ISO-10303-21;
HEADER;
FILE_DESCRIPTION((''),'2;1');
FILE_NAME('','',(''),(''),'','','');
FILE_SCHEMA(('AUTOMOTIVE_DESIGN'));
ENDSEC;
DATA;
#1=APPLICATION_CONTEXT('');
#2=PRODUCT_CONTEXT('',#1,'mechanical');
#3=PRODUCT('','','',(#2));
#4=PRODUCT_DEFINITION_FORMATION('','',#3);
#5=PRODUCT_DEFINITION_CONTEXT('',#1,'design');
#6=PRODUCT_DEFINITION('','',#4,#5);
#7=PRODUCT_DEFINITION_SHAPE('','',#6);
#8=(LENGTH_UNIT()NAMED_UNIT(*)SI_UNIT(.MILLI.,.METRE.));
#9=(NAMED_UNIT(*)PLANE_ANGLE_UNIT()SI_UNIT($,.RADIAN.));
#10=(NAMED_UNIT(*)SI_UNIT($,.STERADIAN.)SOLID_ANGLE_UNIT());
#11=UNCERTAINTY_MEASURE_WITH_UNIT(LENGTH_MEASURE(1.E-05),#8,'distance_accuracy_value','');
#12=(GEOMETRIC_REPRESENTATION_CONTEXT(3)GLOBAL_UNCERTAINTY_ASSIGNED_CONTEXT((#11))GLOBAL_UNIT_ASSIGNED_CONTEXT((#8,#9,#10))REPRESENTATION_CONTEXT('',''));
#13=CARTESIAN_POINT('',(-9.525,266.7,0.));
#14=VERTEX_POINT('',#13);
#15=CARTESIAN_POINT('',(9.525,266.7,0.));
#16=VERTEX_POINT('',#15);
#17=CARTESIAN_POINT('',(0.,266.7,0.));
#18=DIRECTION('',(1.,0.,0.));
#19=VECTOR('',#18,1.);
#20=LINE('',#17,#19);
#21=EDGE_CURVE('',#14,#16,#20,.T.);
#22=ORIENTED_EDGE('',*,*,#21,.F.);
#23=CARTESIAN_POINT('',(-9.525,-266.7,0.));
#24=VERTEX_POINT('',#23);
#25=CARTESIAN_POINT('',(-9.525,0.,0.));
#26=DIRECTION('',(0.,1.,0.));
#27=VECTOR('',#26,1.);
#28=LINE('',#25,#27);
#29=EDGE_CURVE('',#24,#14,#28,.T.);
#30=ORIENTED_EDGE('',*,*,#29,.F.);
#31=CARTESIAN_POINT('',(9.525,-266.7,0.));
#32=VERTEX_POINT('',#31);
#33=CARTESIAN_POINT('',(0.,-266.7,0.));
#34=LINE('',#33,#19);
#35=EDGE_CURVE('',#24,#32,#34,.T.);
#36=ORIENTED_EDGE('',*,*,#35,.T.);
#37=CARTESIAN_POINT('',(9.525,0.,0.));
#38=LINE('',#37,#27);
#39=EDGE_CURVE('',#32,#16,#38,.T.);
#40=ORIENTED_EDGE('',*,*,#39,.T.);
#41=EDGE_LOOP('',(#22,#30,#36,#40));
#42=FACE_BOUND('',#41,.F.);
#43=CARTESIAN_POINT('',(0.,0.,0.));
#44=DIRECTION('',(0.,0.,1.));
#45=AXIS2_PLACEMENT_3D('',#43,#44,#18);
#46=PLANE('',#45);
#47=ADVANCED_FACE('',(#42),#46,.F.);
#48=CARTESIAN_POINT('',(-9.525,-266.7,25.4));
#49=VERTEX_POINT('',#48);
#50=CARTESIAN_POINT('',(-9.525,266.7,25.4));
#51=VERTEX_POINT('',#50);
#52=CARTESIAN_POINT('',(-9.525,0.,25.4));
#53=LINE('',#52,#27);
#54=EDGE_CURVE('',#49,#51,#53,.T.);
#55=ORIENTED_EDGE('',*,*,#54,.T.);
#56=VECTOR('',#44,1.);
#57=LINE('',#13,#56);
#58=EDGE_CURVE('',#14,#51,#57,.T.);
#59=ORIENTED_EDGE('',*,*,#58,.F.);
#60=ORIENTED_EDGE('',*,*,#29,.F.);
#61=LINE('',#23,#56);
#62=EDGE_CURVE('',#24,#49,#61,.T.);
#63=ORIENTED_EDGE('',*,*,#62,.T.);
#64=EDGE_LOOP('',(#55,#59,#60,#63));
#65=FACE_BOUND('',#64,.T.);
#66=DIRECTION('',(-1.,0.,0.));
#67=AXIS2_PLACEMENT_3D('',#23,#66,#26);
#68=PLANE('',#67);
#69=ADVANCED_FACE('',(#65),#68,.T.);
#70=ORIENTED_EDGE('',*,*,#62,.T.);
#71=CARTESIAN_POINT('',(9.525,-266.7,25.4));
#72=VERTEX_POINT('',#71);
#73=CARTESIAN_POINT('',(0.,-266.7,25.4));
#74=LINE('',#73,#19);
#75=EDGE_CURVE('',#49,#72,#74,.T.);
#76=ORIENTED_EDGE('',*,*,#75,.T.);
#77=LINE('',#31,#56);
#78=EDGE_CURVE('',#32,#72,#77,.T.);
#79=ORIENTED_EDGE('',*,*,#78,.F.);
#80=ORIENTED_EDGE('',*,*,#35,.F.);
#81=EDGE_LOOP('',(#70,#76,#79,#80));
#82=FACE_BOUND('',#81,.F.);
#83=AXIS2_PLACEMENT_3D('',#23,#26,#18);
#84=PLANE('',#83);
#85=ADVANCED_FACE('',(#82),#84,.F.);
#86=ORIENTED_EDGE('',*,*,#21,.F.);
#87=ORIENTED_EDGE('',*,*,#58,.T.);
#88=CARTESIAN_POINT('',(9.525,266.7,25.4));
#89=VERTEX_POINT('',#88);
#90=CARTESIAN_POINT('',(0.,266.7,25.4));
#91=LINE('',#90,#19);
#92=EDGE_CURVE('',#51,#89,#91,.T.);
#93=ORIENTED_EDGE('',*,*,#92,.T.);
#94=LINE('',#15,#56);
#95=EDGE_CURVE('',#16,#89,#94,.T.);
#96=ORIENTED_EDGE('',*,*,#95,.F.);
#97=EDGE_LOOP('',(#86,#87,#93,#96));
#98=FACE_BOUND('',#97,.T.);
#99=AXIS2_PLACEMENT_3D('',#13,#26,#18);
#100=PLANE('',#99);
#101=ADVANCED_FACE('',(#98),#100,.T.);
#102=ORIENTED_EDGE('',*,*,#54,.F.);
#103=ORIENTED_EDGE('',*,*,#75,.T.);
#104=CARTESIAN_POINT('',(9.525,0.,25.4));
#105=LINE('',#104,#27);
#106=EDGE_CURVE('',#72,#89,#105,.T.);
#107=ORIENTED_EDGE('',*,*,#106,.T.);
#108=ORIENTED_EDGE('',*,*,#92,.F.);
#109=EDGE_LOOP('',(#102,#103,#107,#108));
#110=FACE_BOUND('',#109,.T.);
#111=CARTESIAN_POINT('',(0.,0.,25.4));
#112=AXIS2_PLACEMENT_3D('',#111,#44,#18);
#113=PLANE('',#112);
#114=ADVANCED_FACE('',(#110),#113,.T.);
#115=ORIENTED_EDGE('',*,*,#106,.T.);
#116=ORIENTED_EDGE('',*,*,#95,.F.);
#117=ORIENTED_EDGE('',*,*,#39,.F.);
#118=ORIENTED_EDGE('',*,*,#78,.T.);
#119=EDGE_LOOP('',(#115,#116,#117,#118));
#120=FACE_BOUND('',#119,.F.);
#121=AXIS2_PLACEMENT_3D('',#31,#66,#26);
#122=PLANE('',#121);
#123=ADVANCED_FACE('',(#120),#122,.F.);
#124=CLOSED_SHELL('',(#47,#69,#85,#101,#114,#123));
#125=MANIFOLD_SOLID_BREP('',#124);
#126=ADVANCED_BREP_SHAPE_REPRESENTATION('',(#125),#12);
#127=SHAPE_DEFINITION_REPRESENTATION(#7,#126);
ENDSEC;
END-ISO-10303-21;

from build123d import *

# Parameters (mm, degrees)
SKETCH_W  = 19.05
SKETCH_H  = 533.4
PAD_DEPTH = 25.4


with BuildPart() as part:
    # Sketch → Pad (new body)
    with BuildSketch(Plane.XY):
        Rectangle(SKETCH_W, SKETCH_H)
    extrude(amount=PAD_DEPTH)


solid = part.part
